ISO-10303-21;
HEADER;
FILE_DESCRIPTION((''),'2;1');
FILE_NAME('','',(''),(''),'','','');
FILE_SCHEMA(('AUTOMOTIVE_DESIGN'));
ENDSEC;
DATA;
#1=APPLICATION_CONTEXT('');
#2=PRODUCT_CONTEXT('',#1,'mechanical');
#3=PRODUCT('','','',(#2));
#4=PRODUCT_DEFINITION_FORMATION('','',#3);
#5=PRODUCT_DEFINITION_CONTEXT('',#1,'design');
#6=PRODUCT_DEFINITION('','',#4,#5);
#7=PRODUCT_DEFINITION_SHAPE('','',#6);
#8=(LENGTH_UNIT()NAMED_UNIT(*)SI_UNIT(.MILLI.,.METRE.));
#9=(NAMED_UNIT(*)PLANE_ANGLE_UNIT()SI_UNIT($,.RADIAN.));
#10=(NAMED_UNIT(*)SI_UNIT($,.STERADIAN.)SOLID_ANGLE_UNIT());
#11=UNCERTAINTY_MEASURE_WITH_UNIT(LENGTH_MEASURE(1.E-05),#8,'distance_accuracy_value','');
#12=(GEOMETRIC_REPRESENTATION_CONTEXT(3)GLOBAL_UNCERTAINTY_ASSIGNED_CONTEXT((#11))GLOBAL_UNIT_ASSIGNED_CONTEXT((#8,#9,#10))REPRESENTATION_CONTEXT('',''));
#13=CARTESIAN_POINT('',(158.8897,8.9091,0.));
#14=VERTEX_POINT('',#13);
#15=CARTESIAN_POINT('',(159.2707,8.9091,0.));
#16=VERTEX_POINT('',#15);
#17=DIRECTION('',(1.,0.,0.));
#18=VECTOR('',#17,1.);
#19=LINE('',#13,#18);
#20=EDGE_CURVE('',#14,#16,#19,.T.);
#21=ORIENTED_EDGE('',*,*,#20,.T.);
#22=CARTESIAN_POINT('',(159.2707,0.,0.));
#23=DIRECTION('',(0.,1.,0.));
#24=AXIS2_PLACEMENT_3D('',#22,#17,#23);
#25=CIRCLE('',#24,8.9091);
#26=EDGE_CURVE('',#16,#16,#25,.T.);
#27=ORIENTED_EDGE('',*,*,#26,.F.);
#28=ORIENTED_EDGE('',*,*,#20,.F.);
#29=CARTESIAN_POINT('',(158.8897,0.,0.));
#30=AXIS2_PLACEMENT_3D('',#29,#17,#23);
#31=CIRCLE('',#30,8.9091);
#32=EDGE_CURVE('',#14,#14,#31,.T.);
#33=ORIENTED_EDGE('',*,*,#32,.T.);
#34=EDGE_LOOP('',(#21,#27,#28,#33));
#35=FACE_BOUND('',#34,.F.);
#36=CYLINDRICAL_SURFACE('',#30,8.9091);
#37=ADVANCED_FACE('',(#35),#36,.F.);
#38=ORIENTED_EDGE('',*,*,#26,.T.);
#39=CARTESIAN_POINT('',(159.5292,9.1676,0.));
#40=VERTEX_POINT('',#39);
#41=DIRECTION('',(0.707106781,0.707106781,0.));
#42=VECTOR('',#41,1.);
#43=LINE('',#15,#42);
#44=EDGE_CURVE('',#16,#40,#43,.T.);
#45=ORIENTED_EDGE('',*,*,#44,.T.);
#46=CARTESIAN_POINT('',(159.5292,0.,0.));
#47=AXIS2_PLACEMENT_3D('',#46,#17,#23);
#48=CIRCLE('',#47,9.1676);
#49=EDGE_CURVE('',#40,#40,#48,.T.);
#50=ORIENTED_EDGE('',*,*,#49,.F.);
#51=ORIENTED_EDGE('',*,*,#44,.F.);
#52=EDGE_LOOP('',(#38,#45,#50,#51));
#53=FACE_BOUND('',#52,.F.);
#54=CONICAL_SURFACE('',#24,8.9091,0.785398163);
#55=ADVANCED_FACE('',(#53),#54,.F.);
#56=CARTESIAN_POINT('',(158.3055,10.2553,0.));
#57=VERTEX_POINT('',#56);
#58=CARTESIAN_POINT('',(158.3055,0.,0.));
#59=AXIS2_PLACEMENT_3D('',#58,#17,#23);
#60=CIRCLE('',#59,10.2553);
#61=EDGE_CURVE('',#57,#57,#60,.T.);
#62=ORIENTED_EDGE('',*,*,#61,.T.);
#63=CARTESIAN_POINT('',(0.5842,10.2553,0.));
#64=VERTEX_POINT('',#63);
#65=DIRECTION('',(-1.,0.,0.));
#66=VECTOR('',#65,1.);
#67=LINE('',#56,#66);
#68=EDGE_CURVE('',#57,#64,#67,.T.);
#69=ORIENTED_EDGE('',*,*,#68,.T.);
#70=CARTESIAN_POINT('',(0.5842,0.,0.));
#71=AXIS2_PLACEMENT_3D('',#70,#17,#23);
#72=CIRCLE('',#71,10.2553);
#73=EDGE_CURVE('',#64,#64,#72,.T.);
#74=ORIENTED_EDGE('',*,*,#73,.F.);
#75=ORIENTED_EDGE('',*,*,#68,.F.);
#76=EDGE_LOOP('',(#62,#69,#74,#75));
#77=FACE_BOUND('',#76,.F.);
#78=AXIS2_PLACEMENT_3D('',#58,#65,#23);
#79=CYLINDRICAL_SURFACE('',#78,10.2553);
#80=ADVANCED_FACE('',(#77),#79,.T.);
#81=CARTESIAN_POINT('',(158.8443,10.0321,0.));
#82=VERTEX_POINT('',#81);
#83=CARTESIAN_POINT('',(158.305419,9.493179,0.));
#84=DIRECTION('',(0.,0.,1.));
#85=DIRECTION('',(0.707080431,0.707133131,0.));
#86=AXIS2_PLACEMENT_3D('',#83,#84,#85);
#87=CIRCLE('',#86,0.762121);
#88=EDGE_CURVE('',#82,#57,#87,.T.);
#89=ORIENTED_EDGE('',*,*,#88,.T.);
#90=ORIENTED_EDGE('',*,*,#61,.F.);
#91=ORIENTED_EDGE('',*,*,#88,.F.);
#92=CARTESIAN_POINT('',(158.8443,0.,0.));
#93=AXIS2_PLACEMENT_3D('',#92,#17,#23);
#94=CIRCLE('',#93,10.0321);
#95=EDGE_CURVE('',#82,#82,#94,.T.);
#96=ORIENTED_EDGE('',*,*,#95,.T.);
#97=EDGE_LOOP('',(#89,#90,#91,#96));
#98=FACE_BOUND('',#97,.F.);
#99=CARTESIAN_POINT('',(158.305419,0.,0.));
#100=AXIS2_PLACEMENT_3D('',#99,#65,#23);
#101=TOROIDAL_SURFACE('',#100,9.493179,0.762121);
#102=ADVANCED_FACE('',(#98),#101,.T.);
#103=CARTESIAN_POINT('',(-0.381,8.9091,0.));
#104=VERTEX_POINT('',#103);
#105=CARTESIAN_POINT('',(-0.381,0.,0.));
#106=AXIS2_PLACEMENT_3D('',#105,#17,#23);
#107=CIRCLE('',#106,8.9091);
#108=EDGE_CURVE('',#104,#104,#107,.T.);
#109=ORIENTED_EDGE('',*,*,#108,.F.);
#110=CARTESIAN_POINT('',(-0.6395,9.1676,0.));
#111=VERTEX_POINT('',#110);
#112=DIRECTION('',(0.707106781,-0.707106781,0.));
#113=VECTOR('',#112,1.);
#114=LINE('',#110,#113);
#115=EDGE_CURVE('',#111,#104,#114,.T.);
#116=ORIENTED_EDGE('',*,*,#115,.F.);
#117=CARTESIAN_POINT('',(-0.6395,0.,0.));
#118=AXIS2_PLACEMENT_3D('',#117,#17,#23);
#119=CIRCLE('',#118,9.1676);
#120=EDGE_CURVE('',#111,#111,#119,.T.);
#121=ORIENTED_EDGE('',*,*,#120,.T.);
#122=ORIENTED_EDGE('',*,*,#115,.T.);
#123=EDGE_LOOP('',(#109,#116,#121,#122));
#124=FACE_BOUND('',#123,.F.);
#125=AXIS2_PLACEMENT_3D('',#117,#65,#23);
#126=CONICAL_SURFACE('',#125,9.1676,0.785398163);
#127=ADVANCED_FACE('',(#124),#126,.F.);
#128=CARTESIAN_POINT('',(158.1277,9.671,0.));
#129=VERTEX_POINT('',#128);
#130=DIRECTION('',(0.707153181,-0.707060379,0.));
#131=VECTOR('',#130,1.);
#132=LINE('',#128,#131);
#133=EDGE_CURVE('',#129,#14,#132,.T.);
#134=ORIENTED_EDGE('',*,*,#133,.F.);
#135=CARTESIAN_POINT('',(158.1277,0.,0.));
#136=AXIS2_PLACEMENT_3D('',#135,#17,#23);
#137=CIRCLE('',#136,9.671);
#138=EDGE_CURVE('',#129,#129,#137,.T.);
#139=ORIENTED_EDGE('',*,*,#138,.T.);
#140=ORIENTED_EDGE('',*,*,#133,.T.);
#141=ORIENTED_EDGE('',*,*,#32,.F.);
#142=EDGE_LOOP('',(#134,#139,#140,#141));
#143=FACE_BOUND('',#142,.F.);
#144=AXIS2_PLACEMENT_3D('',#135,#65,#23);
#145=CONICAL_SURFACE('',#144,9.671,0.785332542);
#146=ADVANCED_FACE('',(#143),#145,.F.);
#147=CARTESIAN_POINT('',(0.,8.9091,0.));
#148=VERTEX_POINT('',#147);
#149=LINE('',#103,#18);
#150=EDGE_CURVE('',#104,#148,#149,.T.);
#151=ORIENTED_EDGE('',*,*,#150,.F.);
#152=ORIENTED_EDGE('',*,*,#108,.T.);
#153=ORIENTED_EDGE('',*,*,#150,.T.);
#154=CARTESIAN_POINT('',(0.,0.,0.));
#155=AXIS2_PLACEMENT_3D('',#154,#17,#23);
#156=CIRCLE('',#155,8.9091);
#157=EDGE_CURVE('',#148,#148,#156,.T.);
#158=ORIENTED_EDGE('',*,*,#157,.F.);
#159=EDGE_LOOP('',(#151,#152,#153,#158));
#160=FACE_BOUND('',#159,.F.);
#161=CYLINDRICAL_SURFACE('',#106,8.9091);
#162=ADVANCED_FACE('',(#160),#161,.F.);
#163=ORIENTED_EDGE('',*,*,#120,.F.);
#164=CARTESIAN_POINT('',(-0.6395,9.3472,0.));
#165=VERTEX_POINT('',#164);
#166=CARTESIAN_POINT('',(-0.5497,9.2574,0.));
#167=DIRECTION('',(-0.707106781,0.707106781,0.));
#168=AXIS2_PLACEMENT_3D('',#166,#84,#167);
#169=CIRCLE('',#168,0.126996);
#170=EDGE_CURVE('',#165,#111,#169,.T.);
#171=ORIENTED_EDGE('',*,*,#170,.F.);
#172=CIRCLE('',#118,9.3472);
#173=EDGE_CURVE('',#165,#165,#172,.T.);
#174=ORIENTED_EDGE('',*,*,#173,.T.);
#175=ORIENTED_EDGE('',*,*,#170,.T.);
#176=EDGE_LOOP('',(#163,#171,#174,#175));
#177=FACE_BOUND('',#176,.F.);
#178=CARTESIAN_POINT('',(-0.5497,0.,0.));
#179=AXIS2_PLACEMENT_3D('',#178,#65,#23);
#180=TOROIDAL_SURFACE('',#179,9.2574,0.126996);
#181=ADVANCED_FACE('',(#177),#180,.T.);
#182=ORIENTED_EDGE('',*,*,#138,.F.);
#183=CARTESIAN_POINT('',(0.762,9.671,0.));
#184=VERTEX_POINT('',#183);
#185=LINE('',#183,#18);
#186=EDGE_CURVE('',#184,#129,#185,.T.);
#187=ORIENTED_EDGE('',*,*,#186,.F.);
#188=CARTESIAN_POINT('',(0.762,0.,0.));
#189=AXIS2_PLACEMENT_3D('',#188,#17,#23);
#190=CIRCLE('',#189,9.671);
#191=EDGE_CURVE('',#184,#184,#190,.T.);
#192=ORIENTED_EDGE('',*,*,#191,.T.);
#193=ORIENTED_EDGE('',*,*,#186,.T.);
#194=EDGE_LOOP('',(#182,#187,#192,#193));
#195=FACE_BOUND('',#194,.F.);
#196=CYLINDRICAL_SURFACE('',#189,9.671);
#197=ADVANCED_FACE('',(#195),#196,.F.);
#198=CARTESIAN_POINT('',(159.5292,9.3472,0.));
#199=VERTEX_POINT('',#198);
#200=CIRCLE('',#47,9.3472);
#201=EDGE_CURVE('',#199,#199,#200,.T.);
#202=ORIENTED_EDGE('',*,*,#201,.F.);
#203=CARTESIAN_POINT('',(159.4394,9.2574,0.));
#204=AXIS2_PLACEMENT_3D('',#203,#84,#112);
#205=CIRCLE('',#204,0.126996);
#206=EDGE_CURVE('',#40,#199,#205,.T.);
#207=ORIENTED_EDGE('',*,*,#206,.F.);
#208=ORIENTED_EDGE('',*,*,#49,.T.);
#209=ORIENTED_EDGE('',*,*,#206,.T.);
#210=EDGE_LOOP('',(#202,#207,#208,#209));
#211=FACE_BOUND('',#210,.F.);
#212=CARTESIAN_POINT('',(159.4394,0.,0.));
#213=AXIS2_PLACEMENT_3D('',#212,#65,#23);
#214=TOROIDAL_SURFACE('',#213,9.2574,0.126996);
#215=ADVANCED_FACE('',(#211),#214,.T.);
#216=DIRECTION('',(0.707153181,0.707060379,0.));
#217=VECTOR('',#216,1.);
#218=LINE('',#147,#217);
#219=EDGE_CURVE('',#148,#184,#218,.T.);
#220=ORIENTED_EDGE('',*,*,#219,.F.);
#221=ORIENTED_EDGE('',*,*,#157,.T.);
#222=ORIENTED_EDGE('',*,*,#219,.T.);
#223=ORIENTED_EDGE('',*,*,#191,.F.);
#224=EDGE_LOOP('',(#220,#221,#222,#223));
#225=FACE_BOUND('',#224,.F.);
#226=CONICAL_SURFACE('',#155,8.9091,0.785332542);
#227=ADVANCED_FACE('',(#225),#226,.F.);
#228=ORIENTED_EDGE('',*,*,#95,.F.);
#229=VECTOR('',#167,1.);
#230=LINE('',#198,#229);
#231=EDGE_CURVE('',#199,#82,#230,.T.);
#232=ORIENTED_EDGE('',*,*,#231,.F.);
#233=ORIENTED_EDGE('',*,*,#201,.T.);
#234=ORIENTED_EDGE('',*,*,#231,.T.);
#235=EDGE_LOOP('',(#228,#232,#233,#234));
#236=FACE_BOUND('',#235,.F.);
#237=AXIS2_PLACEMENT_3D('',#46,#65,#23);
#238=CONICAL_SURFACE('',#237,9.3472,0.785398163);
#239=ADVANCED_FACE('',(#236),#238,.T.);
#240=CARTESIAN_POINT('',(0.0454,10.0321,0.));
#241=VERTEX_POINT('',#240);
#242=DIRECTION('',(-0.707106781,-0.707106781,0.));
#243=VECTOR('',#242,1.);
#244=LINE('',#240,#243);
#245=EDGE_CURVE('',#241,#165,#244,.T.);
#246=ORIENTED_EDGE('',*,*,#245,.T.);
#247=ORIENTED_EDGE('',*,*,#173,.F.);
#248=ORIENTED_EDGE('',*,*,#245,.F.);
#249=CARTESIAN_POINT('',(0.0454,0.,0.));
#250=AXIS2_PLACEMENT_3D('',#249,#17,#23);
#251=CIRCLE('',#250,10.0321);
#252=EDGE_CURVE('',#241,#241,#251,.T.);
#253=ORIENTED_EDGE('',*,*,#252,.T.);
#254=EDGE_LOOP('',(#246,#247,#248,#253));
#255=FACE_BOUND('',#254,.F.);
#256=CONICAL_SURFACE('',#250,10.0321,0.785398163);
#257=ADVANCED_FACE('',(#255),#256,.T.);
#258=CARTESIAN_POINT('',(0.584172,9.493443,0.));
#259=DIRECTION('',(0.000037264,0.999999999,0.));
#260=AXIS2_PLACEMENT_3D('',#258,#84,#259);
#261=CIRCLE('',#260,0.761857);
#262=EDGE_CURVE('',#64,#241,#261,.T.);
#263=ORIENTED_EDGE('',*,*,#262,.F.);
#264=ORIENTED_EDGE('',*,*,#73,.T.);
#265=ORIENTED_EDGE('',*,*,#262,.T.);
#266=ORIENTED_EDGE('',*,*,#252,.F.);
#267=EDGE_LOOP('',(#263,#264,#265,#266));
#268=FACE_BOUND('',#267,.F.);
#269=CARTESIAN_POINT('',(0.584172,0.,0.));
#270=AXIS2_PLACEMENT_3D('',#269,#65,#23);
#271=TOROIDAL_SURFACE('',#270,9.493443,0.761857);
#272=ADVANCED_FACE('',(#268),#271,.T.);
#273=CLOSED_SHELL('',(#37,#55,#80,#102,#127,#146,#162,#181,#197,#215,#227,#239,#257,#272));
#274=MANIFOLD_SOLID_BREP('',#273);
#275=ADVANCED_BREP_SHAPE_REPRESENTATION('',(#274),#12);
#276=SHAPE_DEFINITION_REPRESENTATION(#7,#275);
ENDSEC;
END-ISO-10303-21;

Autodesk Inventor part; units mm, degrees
sketch "Sketch_1" plane through (0, 0, 0) normal (0, 0, 1) x (1, 0, 0)
  line L0 (158.8897, 0) -> (0, 0)
  arc A0 (-0.6395, 9.3472) -> (-0.6395, 9.1676) centre (-0.5497, 9.2574) ccw
  line L1 (-0.6395, 9.1676) -> (-0.381, 8.9091)
  line L2 (-0.381, 8.9091) -> (0, 8.9091)
  line L3 (0, 8.9091) -> (0.762, 9.671)
  line L4 (0.762, 9.671) -> (158.1277, 9.671)
  line L5 (158.1277, 9.671) -> (158.8897, 8.9091)
  line L6 (158.8897, 8.9091) -> (159.2707, 8.9091)
  line L7 (159.2707, 8.9091) -> (159.5292, 9.1676)
  arc A1 (159.5292, 9.1676) -> (159.5292, 9.3472) centre (159.4394, 9.2574) ccw
  line L8 (159.5292, 9.3472) -> (158.8443, 10.0321)
  arc A2 (158.8443, 10.0321) -> (158.3055, 10.2553) centre (158.3055, 9.4933) ccw
  line L9 (158.3055, 10.2553) -> (0.5842, 10.2553)
  arc A3 (0.5842, 10.2553) -> (0.0454, 10.0321) centre (0.5842, 9.4933) ccw
  line L10 (0.0454, 10.0321) -> (-0.6395, 9.3472)
revolve "Revolution1" add sketch "Sketch_1" angle 360 about axis through (158.8897, 0, 0) along (1, 0, 0)
ref_plane "tube_front_XY" through (0, 0, 0) normal (1, 0, 0) x (0, 0, -1)
ref_plane "tube_front_YZ" through (0, 0, 0) normal (0, 0, -1) x (0, 1, 0)
ref_plane "tube_front_ZX" through (0, 0, 0) normal (0, 1, 0) x (1, 0, 0)
ref_plane "tube_rear_XY" through (158.8897, 0, 0) normal (1, 0, 0) x (0, 0, -1)
ref_plane "tube_rear_YZ" through (158.8897, 0, 0) normal (0, 0, -1) x (0, 1, 0)
ref_plane "tube_rear_ZX" through (158.8897, 0, 0) normal (0, 1, 0) x (1, 0, 0)
ref_plane "cp1_XY" through (79.4449, 10.2553, 0) normal (1, 0, 0) x (0, 0, -1)
ref_plane "cp1_YZ" through (79.4449, 10.2553, 0) normal (0, 0, -1) x (0, 1, 0)
ref_plane "cp1_ZX" through (79.4449, 10.2553, 0) normal (0, 1, 0) x (1, 0, 0)
ref_plane "cp2_XY" through (79.4449, 0, -10.2553) normal (1, 0, 0) x (0, 0, -1)
ref_plane "cp2_YZ" through (79.4449, 0, -10.2553) normal (0, 0, -1) x (0, 1, 0)
ref_plane "cp2_ZX" through (79.4449, 0, -10.2553) normal (0, 1, 0) x (1, 0, 0)
ref_plane "cp3_XY" through (79.4449, -10.2553, 0) normal (1, 0, 0) x (0, 0, -1)
ref_plane "cp3_YZ" through (79.4449, -10.2553, 0) normal (0, 0, -1) x (0, 1, 0)
ref_plane "cp3_ZX" through (79.4449, -10.2553, 0) normal (0, 1, 0) x (1, 0, 0)
ref_plane "cp4_XY" through (79.4449, 0, 10.2553) normal (1, 0, 0) x (0, 0, -1)
ref_plane "cp4_YZ" through (79.4449, 0, 10.2553) normal (0, 0, -1) x (0, 1, 0)
ref_plane "cp4_ZX" through (79.4449, 0, 10.2553) normal (0, 1, 0) x (1, 0, 0)
properties part number "04R-6.25550" material "Stainless Steel"
